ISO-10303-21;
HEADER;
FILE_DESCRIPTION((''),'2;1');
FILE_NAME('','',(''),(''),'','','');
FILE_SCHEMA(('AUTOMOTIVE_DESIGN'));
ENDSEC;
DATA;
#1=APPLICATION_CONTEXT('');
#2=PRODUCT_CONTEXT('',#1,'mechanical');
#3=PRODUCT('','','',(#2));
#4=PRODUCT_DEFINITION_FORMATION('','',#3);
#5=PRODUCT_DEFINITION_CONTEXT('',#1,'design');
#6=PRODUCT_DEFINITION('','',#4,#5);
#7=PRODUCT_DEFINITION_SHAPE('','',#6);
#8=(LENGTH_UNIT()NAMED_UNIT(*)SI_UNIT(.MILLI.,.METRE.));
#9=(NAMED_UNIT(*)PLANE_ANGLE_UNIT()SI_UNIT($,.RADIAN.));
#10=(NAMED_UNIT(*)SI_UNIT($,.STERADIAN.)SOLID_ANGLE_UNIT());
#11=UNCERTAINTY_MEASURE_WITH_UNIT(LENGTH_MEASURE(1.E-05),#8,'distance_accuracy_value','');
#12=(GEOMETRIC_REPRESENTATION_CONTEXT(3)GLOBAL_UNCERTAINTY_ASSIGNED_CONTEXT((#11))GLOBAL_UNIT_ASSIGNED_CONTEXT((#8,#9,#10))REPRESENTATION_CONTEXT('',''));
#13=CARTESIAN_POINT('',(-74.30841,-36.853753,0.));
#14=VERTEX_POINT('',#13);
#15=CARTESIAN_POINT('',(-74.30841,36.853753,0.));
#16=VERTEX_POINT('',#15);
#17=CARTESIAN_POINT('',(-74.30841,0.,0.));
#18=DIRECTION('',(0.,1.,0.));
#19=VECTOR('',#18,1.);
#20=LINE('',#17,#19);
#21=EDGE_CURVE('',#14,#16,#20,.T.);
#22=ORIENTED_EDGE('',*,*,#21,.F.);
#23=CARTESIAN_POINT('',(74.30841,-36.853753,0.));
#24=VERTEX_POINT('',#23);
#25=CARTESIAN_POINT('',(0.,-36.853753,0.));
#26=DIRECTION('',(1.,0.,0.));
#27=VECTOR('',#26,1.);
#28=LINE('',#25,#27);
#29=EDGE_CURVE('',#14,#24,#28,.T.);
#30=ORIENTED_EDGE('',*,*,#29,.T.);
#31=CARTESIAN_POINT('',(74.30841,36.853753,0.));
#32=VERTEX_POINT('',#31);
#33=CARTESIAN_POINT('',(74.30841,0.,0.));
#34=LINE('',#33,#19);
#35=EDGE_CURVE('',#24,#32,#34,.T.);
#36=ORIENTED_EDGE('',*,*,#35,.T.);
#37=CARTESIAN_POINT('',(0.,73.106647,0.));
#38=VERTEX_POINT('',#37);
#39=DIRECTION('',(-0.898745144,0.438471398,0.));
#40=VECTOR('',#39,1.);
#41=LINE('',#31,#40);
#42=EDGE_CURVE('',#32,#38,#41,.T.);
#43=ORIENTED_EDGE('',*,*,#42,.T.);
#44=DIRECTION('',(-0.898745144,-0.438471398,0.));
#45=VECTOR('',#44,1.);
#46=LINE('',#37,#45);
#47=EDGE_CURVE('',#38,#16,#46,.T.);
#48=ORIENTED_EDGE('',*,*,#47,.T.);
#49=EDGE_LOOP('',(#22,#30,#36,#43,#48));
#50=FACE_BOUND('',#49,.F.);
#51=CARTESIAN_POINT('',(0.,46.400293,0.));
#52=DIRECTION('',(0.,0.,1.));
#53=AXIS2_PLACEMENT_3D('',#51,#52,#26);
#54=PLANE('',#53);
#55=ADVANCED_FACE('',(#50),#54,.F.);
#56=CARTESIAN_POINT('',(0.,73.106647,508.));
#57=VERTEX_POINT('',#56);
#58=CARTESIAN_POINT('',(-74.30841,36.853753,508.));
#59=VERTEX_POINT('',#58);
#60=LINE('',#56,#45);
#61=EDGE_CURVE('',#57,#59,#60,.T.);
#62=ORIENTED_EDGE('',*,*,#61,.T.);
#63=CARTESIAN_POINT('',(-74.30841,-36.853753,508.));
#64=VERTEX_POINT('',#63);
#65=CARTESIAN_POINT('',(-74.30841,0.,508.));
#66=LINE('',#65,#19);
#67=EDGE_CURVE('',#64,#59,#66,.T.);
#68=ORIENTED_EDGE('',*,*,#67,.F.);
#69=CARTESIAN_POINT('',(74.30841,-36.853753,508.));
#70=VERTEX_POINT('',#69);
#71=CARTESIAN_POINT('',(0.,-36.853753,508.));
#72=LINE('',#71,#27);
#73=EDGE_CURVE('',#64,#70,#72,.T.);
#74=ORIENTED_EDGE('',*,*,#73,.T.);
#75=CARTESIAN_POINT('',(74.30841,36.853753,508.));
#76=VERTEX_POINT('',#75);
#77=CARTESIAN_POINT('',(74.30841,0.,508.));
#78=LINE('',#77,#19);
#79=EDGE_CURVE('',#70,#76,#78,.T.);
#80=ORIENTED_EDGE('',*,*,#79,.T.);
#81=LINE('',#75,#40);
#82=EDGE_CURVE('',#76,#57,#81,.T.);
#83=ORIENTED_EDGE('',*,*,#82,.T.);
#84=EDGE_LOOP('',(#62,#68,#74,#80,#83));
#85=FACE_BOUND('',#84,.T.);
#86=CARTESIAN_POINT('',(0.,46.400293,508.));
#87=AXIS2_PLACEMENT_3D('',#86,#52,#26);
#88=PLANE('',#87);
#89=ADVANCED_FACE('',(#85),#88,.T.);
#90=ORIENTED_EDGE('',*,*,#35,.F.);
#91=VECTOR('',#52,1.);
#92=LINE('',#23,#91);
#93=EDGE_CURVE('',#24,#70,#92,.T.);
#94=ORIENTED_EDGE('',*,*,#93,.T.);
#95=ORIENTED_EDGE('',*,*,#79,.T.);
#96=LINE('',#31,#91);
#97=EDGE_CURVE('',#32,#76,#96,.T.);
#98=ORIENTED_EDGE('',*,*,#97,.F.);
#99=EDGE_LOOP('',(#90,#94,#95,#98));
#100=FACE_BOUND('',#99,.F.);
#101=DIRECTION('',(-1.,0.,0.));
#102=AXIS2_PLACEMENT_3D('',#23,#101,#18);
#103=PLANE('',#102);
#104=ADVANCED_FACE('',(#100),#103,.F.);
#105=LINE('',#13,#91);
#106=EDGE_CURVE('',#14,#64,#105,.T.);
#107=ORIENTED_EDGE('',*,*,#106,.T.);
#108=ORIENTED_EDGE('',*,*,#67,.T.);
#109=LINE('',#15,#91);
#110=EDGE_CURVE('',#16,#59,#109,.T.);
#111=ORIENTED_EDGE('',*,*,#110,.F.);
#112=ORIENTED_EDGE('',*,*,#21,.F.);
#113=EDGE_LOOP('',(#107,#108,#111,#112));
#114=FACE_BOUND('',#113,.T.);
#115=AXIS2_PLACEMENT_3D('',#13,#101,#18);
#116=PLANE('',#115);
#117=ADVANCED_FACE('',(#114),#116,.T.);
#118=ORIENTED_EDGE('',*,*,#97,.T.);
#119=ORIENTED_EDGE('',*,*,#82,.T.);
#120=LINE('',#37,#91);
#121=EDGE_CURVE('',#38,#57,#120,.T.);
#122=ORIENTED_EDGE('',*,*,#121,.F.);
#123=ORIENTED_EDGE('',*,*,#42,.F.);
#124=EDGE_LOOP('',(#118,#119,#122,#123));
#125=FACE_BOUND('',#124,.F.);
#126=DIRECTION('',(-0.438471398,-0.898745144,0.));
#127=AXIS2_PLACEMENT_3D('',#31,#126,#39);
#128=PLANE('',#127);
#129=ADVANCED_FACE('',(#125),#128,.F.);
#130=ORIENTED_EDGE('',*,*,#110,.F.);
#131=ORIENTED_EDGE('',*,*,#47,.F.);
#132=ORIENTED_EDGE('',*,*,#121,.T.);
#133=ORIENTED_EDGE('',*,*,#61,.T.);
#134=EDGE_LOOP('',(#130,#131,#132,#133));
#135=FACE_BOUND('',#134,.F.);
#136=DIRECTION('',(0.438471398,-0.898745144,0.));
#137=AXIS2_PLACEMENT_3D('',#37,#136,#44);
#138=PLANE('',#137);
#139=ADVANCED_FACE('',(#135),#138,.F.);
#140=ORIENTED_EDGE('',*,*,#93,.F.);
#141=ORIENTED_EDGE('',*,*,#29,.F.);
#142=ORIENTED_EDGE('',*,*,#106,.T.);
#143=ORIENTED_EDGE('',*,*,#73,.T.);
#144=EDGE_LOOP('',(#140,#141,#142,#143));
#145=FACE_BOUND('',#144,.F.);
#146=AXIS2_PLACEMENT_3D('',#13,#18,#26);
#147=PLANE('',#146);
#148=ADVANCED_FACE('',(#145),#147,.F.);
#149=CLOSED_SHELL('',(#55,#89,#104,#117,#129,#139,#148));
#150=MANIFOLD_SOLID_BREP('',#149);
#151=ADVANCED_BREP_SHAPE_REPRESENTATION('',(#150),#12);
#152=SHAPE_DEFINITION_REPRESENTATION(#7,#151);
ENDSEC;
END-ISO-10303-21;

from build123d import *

# Parameters (mm, degrees)
F0_W     = 148.61682
F0_H     = 73.707506
F1_DEPTH = 508


with BuildPart() as f1:
    # F0 (on Top) → F1 (new body)
    with BuildSketch(Plane.XY):
        Polygon((0, 73.106647), (-74.30841, 36.853753), (74.30841, 36.853753), align=None)
        Rectangle(F0_W, F0_H)
    extrude(amount=F1_DEPTH)


solid = f1.part
